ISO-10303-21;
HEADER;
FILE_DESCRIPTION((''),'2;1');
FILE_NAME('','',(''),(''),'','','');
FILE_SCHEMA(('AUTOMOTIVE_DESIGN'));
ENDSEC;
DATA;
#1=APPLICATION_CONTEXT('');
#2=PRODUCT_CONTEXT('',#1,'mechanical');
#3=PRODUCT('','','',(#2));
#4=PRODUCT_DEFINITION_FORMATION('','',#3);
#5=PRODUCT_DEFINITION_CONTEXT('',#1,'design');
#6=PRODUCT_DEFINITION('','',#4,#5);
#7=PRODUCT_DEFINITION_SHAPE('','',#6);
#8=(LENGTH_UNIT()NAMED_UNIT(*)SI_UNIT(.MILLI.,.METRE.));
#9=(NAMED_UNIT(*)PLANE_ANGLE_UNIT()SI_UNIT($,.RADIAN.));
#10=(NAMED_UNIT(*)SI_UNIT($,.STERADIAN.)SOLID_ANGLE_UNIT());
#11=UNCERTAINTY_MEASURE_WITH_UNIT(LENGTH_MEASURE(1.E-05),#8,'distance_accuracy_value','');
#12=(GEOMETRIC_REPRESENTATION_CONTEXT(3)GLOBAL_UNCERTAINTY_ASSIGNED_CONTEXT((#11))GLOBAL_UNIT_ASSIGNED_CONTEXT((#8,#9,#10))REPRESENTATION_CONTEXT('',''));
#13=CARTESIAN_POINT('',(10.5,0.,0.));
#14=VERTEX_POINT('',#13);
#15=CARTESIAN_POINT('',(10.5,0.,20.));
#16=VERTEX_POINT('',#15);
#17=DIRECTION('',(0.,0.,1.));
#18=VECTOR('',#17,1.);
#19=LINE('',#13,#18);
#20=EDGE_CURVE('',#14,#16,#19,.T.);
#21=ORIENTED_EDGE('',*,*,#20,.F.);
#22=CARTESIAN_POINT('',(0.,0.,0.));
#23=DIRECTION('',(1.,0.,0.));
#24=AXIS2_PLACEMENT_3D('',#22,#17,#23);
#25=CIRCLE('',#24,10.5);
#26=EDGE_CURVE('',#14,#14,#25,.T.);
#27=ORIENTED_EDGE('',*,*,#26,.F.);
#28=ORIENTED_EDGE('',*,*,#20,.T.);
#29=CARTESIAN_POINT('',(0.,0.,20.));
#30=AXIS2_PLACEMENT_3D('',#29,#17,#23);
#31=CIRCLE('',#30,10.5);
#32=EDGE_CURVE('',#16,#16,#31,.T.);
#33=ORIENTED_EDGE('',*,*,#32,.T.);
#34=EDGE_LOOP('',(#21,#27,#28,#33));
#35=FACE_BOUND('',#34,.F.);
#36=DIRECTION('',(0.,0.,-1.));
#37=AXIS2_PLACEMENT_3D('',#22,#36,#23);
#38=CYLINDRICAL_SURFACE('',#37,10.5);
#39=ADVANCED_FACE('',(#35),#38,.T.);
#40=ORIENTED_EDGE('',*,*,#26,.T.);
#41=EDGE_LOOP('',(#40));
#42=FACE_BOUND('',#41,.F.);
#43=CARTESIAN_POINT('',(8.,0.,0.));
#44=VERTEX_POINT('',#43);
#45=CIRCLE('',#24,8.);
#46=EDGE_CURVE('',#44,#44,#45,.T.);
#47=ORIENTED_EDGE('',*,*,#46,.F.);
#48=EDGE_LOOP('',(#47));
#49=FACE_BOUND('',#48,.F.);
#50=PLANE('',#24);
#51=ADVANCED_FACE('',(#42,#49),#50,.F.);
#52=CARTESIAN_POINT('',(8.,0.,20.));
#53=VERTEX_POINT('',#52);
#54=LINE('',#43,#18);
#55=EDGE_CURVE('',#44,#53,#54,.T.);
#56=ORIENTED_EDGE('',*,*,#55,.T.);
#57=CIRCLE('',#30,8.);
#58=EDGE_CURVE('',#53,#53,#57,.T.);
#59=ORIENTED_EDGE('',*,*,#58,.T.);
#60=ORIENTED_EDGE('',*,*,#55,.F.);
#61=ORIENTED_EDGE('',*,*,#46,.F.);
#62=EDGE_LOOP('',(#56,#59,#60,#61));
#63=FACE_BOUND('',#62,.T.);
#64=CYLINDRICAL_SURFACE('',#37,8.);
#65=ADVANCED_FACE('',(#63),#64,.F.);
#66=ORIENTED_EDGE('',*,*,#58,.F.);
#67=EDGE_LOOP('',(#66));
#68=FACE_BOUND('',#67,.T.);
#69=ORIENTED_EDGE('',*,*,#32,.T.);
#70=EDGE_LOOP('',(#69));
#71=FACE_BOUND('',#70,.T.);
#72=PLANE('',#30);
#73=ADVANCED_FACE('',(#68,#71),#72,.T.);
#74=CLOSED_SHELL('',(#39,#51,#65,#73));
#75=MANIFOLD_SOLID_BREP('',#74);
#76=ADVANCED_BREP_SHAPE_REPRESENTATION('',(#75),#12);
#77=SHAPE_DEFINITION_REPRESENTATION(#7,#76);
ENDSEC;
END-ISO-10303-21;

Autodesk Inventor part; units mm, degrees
ref_plane "YZ Plane" through (0, 0, 0) normal (1, 0, 0) x (0, 1, 0)
ref_plane "XZ Plane" through (0, 0, 0) normal (0, 1, 0) x (-1, 0, 0)
ref_plane "XY Plane" through (0, 0, 0) normal (0, 0, 1) x (1, 0, 0)
sketch "Sketch1" plane through (0, 0, 0) normal (0, 0, 1) x (1, 0, 0)
  circle A0 centre (0, 0) radius 10.5
  circle A1 centre (0, 0) radius 8
  dimension "d0" = 21
  dimension "d1" = 16
extrude "Extrusion1" add sketch "Sketch1" along normal blind 20
properties part number "TZS dummy pipe nippel_940"
